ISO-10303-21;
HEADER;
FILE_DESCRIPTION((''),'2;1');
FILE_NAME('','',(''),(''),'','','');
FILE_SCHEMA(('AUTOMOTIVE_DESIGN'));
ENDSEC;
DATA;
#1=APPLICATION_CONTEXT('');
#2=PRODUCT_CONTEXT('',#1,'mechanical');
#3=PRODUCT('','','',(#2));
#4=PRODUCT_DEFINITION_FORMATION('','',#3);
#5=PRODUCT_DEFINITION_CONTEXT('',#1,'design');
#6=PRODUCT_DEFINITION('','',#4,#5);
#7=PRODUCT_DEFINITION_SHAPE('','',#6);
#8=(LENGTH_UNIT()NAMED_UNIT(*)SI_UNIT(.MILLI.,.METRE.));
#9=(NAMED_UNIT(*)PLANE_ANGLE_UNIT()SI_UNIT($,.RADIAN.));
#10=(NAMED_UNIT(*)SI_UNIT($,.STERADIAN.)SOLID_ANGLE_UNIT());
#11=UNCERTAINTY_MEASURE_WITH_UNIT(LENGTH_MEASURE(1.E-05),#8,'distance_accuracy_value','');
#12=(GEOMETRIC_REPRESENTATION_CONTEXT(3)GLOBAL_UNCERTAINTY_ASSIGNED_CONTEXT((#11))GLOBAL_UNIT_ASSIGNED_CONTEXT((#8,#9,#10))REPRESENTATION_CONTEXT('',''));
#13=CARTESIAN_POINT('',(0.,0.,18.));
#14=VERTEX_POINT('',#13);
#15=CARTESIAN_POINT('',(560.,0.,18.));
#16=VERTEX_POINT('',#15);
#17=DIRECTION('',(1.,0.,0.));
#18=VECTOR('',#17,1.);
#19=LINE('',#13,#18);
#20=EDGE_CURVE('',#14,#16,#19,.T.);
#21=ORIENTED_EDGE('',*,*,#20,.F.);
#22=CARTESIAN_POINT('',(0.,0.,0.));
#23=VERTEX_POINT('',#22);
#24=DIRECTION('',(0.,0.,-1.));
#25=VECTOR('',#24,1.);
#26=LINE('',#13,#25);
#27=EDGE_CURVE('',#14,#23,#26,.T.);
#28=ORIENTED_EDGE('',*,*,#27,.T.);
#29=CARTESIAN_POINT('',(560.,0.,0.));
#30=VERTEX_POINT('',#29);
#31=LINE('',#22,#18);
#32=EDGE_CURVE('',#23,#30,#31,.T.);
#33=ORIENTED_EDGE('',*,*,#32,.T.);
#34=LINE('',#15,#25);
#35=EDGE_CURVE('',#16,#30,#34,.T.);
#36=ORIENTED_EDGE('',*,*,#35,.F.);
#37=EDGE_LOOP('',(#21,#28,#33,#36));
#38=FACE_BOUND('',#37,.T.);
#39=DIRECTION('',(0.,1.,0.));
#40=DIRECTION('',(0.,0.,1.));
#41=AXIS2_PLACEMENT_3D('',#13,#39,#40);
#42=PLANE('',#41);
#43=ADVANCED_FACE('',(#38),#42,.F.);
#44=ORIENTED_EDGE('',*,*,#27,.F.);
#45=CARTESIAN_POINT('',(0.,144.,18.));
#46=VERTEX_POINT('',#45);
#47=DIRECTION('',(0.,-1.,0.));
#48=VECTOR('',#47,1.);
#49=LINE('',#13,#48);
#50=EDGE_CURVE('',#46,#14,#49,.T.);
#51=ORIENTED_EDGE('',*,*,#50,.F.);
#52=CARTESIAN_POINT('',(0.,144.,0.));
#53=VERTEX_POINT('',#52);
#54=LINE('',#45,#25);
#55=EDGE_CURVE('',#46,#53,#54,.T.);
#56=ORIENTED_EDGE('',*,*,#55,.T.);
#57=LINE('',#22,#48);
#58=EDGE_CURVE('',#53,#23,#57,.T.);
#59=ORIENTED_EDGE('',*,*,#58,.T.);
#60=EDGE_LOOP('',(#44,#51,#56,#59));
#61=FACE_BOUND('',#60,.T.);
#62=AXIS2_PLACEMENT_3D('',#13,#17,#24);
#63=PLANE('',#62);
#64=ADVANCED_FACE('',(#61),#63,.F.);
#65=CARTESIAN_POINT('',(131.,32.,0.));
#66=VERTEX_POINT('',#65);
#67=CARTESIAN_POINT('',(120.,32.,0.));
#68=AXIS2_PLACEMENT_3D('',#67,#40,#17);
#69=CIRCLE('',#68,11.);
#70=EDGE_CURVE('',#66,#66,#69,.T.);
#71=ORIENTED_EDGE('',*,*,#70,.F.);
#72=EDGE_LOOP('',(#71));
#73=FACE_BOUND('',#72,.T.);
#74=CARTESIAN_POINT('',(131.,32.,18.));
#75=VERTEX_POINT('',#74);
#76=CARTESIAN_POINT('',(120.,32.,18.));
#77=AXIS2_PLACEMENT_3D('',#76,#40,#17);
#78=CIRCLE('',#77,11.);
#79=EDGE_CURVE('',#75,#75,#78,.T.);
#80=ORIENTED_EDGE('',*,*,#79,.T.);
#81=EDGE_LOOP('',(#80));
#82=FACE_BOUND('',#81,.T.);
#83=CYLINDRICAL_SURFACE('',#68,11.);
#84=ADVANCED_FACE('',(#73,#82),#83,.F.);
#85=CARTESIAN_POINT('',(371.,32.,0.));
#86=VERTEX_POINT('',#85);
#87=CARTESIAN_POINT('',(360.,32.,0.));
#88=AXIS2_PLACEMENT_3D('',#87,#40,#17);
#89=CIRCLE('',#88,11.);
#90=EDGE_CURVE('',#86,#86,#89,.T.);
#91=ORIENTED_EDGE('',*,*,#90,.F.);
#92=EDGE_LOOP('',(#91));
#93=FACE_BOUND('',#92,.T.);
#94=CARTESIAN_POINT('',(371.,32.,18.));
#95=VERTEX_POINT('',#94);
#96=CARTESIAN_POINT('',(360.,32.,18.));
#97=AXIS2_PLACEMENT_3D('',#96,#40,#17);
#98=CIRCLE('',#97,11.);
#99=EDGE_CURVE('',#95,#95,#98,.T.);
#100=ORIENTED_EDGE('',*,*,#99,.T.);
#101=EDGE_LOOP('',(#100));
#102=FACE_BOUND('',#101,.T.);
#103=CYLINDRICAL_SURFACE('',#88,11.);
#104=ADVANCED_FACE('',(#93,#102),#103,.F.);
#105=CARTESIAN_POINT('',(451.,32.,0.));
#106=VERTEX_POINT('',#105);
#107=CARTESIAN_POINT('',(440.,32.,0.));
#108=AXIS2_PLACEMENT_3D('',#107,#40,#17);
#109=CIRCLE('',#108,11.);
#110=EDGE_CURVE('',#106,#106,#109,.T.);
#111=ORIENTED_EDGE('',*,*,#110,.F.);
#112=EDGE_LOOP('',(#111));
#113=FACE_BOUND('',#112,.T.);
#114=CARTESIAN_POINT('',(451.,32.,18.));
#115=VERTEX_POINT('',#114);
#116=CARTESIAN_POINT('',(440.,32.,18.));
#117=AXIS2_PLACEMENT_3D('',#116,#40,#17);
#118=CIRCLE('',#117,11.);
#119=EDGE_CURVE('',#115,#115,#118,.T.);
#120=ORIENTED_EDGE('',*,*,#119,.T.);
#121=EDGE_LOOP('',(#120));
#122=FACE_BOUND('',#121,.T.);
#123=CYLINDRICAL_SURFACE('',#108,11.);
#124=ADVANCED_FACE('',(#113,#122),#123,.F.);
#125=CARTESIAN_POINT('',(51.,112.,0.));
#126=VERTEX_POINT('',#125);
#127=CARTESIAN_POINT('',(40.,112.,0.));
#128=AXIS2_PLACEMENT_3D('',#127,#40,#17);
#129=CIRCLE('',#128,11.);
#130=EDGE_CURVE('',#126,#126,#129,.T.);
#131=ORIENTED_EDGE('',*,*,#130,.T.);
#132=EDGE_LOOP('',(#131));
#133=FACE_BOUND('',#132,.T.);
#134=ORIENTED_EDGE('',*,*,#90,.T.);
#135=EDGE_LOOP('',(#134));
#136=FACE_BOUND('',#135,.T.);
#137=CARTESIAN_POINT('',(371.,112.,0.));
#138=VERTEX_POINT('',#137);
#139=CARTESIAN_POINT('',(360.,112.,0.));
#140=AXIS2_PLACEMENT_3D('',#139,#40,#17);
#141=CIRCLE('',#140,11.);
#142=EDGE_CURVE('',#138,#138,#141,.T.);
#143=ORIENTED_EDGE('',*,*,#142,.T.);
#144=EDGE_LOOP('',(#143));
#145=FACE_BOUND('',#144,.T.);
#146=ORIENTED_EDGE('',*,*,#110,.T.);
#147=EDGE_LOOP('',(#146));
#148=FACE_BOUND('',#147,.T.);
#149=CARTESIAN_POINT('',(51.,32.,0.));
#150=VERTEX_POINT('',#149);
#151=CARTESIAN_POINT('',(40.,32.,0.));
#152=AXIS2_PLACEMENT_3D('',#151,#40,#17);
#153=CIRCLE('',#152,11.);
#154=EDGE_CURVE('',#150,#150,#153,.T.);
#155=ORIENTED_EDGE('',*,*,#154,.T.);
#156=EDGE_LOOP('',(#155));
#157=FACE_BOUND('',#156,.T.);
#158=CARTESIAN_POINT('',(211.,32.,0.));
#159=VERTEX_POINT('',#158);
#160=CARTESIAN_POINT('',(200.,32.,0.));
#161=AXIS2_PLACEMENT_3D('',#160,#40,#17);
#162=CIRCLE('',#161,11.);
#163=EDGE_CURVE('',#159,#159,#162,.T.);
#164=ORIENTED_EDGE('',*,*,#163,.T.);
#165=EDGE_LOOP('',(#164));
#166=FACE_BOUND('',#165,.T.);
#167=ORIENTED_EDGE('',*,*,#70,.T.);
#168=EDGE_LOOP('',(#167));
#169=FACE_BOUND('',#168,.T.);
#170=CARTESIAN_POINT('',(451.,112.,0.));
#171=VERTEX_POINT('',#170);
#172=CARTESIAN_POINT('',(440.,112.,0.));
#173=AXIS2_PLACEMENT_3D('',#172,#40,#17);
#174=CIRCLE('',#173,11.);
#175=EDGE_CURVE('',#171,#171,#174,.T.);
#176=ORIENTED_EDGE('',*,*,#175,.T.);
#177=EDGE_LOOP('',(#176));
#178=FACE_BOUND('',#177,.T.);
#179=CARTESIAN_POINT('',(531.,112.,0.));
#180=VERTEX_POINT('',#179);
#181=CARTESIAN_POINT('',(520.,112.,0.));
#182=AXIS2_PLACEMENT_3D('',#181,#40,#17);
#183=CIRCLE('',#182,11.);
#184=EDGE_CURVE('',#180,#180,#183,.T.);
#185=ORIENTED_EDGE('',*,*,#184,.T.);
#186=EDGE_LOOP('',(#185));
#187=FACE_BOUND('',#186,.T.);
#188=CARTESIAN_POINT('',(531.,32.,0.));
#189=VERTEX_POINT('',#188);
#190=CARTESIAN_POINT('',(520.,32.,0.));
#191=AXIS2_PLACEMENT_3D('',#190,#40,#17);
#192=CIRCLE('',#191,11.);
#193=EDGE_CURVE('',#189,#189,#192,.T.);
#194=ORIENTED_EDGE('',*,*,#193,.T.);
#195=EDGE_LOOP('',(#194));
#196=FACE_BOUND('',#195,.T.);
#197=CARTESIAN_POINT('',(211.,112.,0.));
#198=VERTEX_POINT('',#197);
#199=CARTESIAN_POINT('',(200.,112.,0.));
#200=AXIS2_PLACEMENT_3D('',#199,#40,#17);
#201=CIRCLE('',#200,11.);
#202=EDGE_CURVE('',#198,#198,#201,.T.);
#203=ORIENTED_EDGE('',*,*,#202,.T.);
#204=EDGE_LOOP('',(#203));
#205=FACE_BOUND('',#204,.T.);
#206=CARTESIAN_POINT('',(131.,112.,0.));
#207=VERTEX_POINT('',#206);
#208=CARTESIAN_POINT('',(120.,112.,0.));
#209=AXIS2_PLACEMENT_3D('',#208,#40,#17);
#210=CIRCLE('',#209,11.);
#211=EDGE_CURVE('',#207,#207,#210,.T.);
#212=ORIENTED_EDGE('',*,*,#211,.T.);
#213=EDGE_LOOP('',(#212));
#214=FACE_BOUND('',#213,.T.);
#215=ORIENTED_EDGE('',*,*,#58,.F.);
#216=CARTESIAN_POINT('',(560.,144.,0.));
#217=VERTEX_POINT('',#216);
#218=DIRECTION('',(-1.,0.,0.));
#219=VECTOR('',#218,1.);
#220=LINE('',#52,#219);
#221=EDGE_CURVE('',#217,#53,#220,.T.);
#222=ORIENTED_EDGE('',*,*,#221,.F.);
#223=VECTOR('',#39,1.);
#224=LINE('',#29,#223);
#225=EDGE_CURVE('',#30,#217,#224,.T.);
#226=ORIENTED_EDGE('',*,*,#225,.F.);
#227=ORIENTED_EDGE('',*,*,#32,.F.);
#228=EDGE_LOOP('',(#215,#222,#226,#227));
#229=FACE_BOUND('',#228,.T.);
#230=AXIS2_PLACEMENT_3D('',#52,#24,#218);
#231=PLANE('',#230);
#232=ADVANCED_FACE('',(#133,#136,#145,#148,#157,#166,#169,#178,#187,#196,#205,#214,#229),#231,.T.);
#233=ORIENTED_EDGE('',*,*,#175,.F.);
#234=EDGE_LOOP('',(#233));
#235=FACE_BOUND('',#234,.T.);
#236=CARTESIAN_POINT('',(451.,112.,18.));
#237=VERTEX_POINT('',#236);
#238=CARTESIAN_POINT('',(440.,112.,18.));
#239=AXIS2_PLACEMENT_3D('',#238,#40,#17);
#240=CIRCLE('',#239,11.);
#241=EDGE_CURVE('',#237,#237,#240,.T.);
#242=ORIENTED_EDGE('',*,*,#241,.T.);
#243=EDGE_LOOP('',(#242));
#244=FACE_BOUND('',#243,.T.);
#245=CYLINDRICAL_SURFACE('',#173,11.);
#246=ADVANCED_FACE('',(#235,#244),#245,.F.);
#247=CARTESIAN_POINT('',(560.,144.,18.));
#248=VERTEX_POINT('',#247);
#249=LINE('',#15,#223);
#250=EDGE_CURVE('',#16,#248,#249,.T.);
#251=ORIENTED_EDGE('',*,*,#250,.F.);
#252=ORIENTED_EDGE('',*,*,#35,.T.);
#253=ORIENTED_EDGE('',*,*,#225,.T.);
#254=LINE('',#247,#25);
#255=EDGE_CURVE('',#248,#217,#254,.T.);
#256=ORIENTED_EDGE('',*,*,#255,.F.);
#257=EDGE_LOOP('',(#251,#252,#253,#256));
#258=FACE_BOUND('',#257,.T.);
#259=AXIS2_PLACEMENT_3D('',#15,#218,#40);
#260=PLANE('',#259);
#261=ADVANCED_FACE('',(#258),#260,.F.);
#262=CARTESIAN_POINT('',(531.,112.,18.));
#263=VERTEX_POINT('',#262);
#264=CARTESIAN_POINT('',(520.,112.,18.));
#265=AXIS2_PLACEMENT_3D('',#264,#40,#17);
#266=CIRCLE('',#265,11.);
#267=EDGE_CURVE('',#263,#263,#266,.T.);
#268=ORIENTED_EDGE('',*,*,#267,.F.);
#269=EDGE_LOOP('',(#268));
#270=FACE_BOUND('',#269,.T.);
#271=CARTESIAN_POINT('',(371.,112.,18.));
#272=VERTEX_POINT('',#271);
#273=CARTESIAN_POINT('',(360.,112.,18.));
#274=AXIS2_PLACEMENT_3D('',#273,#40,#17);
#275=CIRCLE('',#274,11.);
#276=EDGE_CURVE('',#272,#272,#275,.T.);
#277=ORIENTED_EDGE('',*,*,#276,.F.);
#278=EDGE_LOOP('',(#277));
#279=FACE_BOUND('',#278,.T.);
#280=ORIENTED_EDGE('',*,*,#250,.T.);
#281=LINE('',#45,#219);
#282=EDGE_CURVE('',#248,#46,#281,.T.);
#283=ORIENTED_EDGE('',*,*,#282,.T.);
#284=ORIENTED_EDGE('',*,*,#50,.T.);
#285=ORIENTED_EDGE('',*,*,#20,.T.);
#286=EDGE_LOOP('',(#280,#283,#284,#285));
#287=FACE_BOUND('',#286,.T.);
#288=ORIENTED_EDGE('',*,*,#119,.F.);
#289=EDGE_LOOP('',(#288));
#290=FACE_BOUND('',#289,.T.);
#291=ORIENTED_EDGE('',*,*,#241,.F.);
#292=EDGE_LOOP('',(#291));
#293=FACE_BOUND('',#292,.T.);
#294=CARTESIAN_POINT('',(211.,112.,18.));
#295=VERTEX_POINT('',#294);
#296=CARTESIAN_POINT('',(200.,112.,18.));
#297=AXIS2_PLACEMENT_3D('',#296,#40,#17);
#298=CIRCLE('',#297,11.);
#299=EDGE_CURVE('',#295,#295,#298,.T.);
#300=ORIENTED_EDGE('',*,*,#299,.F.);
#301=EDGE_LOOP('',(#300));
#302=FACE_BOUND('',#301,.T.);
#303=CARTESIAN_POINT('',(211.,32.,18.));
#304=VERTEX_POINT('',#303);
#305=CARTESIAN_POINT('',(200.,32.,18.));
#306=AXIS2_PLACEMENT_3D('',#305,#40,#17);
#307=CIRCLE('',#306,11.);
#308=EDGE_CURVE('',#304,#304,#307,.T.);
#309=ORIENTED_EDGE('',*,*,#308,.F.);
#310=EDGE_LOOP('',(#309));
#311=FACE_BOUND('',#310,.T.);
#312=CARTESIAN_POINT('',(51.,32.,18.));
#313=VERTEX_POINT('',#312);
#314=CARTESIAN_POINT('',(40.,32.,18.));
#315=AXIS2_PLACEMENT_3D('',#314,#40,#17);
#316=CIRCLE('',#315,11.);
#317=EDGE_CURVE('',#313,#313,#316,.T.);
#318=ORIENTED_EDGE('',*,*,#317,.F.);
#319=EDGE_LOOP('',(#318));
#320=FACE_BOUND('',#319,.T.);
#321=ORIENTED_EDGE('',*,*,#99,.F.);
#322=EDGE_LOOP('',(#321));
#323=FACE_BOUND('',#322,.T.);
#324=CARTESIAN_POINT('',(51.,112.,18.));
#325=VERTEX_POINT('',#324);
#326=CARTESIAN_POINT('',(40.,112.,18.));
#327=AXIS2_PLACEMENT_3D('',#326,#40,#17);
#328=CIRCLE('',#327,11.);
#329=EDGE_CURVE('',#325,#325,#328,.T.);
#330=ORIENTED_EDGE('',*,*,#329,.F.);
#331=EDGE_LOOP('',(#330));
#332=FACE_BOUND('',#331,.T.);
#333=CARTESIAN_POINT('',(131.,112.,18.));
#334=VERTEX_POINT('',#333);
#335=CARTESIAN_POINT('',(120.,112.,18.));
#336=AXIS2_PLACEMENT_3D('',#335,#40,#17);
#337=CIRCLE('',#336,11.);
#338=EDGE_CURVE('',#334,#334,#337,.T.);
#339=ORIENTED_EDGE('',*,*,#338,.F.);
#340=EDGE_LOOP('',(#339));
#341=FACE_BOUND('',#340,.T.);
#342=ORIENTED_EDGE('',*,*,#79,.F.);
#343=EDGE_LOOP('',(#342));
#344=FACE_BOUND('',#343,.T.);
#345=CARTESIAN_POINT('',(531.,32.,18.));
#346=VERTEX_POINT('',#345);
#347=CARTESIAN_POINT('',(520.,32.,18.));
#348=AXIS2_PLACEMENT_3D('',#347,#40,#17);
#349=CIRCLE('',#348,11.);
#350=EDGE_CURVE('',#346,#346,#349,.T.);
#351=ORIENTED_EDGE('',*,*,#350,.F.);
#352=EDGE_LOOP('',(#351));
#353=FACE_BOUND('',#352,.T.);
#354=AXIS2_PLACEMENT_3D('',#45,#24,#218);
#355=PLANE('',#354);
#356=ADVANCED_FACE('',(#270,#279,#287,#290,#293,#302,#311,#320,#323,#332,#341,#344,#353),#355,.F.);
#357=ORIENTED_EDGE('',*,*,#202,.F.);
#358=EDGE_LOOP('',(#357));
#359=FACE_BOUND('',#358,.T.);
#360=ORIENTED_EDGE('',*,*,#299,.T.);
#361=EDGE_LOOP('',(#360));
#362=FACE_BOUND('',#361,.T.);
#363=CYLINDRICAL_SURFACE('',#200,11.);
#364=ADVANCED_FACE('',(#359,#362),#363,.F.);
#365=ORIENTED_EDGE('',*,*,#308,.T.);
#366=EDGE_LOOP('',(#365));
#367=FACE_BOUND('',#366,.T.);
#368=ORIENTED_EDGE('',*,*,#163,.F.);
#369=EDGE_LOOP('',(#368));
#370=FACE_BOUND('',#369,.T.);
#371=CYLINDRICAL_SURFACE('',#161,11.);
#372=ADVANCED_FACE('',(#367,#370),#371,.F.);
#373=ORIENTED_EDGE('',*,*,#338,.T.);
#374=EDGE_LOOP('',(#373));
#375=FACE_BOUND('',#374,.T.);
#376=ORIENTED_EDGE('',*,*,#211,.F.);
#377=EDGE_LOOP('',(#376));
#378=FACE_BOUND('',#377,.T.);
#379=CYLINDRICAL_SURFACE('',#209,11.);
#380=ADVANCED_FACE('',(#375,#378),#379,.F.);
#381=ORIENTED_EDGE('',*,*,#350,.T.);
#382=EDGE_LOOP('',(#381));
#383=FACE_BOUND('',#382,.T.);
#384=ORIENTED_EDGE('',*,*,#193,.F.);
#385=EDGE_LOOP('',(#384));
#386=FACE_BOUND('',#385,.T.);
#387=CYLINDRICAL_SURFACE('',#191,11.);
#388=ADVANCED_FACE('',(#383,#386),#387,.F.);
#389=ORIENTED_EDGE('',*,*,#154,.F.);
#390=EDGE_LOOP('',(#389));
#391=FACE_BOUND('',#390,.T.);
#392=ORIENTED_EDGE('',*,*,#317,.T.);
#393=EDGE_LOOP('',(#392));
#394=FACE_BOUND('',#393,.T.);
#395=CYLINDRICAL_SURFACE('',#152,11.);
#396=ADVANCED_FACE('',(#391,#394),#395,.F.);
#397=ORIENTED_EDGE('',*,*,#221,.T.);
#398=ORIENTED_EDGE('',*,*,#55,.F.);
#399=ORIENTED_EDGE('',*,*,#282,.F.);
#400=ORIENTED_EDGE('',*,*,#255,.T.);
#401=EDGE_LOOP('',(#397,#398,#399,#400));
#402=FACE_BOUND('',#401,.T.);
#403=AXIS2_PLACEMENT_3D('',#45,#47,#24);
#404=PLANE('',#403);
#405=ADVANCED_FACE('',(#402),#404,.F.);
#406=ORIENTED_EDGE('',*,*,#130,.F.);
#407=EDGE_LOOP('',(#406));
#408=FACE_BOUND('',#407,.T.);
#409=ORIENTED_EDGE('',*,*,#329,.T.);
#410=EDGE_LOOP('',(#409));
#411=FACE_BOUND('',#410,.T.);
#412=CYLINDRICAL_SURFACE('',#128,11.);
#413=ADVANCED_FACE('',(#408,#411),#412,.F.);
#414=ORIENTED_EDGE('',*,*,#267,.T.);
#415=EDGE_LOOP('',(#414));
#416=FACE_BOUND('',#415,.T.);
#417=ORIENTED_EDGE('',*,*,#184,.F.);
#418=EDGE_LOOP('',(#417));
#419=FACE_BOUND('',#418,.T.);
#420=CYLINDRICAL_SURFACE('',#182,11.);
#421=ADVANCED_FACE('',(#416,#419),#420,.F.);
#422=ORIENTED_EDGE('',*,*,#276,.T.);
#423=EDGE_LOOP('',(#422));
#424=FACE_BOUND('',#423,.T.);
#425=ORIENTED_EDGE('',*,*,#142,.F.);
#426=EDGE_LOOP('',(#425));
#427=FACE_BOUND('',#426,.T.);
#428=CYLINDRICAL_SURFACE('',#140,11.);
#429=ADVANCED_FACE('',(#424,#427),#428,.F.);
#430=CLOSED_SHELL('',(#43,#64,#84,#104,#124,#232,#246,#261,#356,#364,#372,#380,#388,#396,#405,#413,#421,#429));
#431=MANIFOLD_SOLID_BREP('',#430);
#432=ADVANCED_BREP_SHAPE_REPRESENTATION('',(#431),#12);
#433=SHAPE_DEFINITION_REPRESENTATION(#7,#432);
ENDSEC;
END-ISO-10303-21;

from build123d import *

# Parameters (mm, degrees)
SKETCH_1_W                       = 560
SKETCH_1_H                       = 144
EXTRUDE_7_DEPTH                  = 18
SKETCH_2_R                       = 11
CUT_EXTRUDE_2_DEPTH              = 579.498055312
PATTERN_LINEAR_2_COUNT           = 2
PATTERN_LINEAR_2_PITCH           = 80
PATTERN_LINEAR_2_COUNT_DIR2      = 3
PATTERN_LINEAR_2_PITCH_DIR2      = 80
PATTERN_LINEAR_4_COUNT           = 2
PATTERN_LINEAR_4_PITCH           = 320
PATTERN_LINEAR_4_COPY_1_SKETCH_R = 11
PATTERN_LINEAR_4_COPY_1_DEPTH    = 579.498055312
PATTERN_LINEAR_4_COPY_2_SKETCH_R = 11
PATTERN_LINEAR_4_COPY_2_DEPTH    = 579.498055312
PATTERN_LINEAR_4_COPY_3_SKETCH_R = 11
PATTERN_LINEAR_4_COPY_3_DEPTH    = 579.498055312
PATTERN_LINEAR_4_COPY_4_SKETCH_R = 11
PATTERN_LINEAR_4_COPY_4_DEPTH    = 579.498055312
PATTERN_LINEAR_4_COPY_5_SKETCH_R = 11
PATTERN_LINEAR_4_COPY_5_DEPTH    = 579.498055312


with BuildPart() as part:
    # 草图1 → 拉伸7 (new body)
    with BuildSketch(Plane.XY):
        with Locations((280, 72)):
            Rectangle(SKETCH_1_W, SKETCH_1_H)
    extrude(amount=EXTRUDE_7_DEPTH)

    # 草图2 → 切除-拉伸2 (cut, through all)
    with BuildSketch(Plane.XY.offset(18)):
        with Locations((40, 112)):
            Circle(SKETCH_2_R)
    cut_extrude_2 = extrude(amount=-CUT_EXTRUDE_2_DEPTH, mode=Mode.SUBTRACT)

    # 阵列(线性)2: Cut-Extrude 2 2 × 3
    with Locations(*[(j * PATTERN_LINEAR_2_PITCH_DIR2, -i * PATTERN_LINEAR_2_PITCH, 0) for i in range(PATTERN_LINEAR_2_COUNT) for j in range(PATTERN_LINEAR_2_COUNT_DIR2) if (i, j) != (0, 0)]):
        add(cut_extrude_2, mode=Mode.SUBTRACT)

    # 阵列(线性)4: 切除-拉伸2 ×2
    with Locations(*[(i * PATTERN_LINEAR_4_PITCH, 0, 0) for i in range(1, PATTERN_LINEAR_4_COUNT)]):
        add(cut_extrude_2, mode=Mode.SUBTRACT)

    # 阵列(线性)4 copy 1 sketch → 阵列(线性)4 copy 1 (cut, through all)
    with BuildSketch(Plane(origin=(400, 0, 18), x_dir=(1, 0, 0), z_dir=(0, 0, 1))):
        with Locations((40, 112)):
            Circle(PATTERN_LINEAR_4_COPY_1_SKETCH_R)
    extrude(amount=-PATTERN_LINEAR_4_COPY_1_DEPTH, mode=Mode.SUBTRACT)

    # 阵列(线性)4 copy 2 sketch → 阵列(线性)4 copy 2 (cut, through all)
    with BuildSketch(Plane(origin=(480, 0, 18), x_dir=(1, 0, 0), z_dir=(0, 0, 1))):
        with Locations((40, 112)):
            Circle(PATTERN_LINEAR_4_COPY_2_SKETCH_R)
    extrude(amount=-PATTERN_LINEAR_4_COPY_2_DEPTH, mode=Mode.SUBTRACT)

    # 阵列(线性)4 copy 3 sketch → 阵列(线性)4 copy 3 (cut, through all)
    with BuildSketch(Plane(origin=(320, -80, 18), x_dir=(1, 0, 0), z_dir=(0, 0, 1))):
        with Locations((40, 112)):
            Circle(PATTERN_LINEAR_4_COPY_3_SKETCH_R)
    extrude(amount=-PATTERN_LINEAR_4_COPY_3_DEPTH, mode=Mode.SUBTRACT)

    # 阵列(线性)4 copy 4 sketch → 阵列(线性)4 copy 4 (cut, through all)
    with BuildSketch(Plane(origin=(400, -80, 18), x_dir=(1, 0, 0), z_dir=(0, 0, 1))):
        with Locations((40, 112)):
            Circle(PATTERN_LINEAR_4_COPY_4_SKETCH_R)
    extrude(amount=-PATTERN_LINEAR_4_COPY_4_DEPTH, mode=Mode.SUBTRACT)

    # 阵列(线性)4 copy 5 sketch → 阵列(线性)4 copy 5 (cut, through all)
    with BuildSketch(Plane(origin=(480, -80, 18), x_dir=(1, 0, 0), z_dir=(0, 0, 1))):
        with Locations((40, 112)):
            Circle(PATTERN_LINEAR_4_COPY_5_SKETCH_R)
    extrude(amount=-PATTERN_LINEAR_4_COPY_5_DEPTH, mode=Mode.SUBTRACT)


solid = part.part
